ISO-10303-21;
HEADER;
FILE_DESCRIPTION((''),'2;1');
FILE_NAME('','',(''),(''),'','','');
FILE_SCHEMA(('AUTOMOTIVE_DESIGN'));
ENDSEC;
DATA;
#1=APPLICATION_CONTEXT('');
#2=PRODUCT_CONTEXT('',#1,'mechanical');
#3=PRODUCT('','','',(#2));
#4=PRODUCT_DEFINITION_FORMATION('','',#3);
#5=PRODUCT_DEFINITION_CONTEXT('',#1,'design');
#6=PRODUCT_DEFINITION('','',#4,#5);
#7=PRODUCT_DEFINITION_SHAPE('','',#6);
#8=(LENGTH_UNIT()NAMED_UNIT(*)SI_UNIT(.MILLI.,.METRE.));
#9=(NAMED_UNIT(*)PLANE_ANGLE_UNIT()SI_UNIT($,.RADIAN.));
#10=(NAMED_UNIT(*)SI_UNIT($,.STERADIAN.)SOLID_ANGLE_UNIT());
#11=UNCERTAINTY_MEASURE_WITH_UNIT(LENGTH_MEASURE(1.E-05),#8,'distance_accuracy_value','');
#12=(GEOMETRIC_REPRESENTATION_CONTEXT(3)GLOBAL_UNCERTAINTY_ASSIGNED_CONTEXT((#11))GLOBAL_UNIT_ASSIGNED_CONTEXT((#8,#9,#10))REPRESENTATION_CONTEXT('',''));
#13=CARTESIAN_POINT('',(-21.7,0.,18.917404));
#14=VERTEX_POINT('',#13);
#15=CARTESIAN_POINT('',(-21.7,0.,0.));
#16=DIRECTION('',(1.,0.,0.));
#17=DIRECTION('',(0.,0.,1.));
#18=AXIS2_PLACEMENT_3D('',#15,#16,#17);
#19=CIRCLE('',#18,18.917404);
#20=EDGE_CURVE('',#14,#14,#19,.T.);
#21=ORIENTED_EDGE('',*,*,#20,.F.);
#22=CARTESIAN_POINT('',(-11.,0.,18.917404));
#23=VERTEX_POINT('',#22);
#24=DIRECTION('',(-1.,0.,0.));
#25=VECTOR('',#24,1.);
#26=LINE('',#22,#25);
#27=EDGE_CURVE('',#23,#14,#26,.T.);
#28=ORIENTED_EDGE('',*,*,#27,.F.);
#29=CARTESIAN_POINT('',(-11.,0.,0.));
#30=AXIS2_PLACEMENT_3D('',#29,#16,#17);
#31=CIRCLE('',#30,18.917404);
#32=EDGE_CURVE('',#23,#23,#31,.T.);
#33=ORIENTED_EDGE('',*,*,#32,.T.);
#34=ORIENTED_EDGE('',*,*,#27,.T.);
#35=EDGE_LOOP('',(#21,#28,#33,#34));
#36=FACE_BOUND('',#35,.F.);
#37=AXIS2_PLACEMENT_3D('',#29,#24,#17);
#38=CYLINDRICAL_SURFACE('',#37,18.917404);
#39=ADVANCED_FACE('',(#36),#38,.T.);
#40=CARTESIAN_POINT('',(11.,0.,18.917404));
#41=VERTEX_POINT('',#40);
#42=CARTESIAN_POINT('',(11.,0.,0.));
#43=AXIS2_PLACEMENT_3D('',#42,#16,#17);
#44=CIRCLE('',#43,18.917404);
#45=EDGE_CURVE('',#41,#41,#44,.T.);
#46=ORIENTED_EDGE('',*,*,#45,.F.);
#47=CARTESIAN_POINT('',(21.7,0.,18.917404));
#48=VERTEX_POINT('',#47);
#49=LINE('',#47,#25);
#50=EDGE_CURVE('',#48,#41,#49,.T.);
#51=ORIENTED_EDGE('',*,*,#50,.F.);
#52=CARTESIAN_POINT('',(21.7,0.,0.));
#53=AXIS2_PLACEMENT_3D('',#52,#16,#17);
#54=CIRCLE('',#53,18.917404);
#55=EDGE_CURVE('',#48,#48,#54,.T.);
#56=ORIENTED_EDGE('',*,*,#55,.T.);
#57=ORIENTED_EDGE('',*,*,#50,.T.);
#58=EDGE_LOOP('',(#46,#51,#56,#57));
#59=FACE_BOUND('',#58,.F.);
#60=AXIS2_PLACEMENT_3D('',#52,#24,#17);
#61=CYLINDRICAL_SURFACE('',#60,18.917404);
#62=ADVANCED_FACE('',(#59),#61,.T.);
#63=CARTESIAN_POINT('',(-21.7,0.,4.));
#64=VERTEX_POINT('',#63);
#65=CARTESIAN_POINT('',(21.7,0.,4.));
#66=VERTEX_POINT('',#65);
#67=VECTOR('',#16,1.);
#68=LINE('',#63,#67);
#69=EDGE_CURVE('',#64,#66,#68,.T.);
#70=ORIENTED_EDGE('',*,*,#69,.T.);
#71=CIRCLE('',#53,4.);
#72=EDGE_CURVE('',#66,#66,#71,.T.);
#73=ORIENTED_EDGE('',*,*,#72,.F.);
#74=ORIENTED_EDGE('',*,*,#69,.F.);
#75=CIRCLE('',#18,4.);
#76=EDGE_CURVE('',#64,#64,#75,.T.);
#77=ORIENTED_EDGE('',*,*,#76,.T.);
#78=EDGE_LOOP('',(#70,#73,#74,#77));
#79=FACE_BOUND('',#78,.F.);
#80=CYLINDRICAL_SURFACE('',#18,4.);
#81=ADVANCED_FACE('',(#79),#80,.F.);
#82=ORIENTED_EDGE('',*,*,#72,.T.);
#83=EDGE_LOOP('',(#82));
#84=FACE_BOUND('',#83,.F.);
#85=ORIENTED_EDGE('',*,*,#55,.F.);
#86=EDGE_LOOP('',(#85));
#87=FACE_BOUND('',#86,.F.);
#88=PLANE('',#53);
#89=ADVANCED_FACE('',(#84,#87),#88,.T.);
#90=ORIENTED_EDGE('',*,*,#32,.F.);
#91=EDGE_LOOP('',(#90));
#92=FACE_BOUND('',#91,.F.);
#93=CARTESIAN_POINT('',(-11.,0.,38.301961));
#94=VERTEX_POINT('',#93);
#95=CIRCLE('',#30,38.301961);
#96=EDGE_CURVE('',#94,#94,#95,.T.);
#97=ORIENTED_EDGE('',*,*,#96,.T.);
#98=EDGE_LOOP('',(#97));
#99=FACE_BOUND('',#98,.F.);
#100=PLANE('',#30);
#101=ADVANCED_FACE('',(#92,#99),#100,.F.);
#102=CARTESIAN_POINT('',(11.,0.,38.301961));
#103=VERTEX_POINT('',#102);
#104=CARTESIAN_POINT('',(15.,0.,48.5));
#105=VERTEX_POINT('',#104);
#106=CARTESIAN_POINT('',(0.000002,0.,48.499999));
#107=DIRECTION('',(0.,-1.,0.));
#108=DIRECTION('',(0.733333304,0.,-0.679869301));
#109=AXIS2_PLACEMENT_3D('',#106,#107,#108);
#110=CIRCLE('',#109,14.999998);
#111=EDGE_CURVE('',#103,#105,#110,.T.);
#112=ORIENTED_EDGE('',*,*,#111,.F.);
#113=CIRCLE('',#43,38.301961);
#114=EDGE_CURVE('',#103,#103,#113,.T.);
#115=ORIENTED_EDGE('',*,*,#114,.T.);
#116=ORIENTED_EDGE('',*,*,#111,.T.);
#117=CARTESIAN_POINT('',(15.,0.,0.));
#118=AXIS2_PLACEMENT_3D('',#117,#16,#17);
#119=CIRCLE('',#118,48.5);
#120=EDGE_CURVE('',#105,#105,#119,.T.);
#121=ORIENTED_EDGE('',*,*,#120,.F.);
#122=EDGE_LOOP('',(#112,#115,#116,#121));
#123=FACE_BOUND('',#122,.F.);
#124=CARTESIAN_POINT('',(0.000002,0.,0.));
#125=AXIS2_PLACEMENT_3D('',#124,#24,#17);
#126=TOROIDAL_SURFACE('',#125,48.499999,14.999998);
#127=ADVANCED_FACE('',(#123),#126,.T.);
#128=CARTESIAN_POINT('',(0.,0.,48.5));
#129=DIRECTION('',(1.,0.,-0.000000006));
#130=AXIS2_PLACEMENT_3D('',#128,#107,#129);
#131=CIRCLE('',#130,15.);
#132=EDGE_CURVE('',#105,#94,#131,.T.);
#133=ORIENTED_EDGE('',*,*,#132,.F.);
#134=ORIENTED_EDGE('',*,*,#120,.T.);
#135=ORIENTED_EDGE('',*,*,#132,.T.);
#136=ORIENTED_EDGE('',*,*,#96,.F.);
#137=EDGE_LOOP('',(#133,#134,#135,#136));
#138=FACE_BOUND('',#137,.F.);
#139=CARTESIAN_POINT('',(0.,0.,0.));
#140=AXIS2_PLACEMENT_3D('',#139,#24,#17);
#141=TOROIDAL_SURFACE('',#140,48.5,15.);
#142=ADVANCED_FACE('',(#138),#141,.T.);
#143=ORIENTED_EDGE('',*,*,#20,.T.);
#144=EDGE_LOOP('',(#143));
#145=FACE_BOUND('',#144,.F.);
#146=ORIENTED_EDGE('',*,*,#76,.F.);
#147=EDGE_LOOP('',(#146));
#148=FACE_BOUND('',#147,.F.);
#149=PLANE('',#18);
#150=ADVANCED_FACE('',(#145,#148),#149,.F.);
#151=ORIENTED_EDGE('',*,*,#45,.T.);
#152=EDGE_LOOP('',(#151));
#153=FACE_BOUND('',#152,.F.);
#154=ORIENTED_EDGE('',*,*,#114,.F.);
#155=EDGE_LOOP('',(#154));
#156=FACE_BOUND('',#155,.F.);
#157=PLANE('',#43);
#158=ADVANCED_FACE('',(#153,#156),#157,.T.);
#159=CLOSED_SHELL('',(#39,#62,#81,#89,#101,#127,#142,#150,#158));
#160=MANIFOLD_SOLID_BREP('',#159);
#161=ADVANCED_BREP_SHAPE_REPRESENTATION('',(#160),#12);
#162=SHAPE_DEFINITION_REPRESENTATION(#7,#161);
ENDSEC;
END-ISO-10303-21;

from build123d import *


with BuildPart() as f1:
    # F0 (on Front) → F1 (revolve)
    with BuildSketch(Plane.XZ):
        with BuildLine():
            Line((-21.7, 18.917404), (-21.7, 4))
            Line((-21.7, 4), (21.7, 4))
            Line((21.7, 4), (21.7, 18.917404))
            Line((21.7, 18.917404), (15, 18.917404))
            Line((15, 18.917404), (11, 18.917404))
            Line((11, 18.917404), (11, 38.301961))
            ThreePointArc((11, 38.301961), (0, 33.5), (-11, 38.301961))
            Line((-11, 38.301961), (-11, 18.917404))
            Line((-11, 18.917404), (-15, 18.917404))
            Line((-15, 18.917404), (-21.7, 18.917404))
        make_face()
        with BuildLine():
            ThreePointArc((15, 48.5), (-5.477226, 62.46424), (-11, 38.301961))
            ThreePointArc((-11, 38.301961), (0, 33.5), (11, 38.301961))
            ThreePointArc((11, 38.301961), (13.96424, 43.022774), (15, 48.5))
        make_face()
    revolve(axis=Axis((0, 0, 0), (1, 0, 0)))


solid = f1.part
